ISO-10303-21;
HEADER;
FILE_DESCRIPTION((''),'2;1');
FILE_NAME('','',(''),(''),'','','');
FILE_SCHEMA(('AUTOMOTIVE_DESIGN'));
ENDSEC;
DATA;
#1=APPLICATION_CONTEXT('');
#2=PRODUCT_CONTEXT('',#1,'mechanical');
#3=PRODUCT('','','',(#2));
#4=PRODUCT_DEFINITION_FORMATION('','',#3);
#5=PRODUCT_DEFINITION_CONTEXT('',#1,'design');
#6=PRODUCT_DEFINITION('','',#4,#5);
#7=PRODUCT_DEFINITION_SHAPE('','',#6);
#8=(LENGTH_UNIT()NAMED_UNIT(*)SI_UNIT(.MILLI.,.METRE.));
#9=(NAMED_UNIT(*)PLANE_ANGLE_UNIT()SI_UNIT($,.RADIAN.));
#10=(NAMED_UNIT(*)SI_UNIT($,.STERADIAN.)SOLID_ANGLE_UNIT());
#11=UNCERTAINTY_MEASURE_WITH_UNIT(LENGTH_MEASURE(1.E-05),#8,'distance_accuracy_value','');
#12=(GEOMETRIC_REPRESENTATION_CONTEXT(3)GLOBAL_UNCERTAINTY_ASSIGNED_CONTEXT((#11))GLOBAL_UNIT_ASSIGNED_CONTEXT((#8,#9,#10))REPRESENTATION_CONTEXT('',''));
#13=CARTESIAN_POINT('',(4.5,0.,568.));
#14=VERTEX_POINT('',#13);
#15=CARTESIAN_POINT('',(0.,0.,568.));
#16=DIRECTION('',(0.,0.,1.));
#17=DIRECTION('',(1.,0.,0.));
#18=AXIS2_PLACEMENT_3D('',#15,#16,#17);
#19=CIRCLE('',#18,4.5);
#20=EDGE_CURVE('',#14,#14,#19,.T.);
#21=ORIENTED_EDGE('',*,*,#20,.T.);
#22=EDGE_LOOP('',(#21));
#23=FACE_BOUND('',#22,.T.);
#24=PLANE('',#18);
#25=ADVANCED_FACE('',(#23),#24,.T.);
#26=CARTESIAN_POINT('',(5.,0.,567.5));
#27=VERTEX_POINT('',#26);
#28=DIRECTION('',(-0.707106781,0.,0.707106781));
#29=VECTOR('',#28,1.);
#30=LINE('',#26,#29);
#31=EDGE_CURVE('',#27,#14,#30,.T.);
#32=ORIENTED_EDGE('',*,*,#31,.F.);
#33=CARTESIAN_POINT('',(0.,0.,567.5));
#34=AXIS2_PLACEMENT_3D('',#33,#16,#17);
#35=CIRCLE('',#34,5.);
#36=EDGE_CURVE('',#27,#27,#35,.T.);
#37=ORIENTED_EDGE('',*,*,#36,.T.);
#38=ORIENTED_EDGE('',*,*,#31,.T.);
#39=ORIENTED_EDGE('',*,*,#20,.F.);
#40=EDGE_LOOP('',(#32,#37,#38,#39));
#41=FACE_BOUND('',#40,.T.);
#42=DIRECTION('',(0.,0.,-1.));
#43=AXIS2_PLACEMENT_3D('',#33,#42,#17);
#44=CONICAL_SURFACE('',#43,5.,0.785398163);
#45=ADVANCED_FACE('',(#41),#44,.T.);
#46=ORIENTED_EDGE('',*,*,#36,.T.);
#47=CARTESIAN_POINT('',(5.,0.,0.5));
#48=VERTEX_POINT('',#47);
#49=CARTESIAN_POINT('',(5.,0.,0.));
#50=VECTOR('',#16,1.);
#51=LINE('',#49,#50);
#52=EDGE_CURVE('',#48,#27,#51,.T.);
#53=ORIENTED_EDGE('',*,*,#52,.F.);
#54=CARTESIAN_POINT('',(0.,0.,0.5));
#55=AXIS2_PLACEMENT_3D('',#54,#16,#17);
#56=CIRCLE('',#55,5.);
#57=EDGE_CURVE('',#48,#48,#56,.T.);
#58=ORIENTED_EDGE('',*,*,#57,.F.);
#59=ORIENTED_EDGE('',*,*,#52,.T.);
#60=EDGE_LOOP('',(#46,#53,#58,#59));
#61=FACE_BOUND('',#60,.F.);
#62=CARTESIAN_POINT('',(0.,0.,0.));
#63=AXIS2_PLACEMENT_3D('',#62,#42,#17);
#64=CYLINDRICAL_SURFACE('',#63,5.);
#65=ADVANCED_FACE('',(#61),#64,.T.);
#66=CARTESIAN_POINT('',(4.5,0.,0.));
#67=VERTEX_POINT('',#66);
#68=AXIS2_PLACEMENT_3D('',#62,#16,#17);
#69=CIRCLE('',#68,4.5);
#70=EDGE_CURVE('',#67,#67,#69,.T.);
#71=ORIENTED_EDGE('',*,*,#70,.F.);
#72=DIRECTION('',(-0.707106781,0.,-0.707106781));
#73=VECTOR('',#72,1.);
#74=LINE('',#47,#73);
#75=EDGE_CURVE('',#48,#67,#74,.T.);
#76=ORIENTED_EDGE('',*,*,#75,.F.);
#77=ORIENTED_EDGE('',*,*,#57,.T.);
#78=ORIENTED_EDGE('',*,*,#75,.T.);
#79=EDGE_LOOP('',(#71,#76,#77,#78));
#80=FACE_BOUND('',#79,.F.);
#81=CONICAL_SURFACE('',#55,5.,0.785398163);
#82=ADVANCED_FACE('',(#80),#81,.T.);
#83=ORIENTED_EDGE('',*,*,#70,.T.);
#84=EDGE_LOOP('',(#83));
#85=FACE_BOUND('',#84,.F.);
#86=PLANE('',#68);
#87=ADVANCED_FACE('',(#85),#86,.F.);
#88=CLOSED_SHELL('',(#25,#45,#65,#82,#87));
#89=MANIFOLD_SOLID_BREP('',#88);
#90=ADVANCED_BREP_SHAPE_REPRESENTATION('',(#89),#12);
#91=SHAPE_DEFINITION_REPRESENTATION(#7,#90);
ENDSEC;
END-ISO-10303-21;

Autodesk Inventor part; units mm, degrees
ref_plane "YZ Plane" through (0, 0, 0) normal (1, 0, 0) x (0, 1, 0)
ref_plane "XZ Plane" through (0, 0, 0) normal (0, 1, 0) x (-1, 0, 0)
ref_plane "XY Plane" through (0, 0, 0) normal (0, 0, 1) x (1, 0, 0)
sketch "Sketch1" plane through (0, 0, 0) normal (0, 0, 1) x (1, 0, 0)
  circle A0 centre (0, 0) radius 5
  dimension "d0" = 10
extrude "Extrusion1" add sketch "Sketch1" along normal blind 568
chamfer "Chamfer1" distance 0.5 angle 45 2 edges at (-5, 0, 568) (-5, 0, 0)
properties part number "0005-10-1008 Bara rectificata"
